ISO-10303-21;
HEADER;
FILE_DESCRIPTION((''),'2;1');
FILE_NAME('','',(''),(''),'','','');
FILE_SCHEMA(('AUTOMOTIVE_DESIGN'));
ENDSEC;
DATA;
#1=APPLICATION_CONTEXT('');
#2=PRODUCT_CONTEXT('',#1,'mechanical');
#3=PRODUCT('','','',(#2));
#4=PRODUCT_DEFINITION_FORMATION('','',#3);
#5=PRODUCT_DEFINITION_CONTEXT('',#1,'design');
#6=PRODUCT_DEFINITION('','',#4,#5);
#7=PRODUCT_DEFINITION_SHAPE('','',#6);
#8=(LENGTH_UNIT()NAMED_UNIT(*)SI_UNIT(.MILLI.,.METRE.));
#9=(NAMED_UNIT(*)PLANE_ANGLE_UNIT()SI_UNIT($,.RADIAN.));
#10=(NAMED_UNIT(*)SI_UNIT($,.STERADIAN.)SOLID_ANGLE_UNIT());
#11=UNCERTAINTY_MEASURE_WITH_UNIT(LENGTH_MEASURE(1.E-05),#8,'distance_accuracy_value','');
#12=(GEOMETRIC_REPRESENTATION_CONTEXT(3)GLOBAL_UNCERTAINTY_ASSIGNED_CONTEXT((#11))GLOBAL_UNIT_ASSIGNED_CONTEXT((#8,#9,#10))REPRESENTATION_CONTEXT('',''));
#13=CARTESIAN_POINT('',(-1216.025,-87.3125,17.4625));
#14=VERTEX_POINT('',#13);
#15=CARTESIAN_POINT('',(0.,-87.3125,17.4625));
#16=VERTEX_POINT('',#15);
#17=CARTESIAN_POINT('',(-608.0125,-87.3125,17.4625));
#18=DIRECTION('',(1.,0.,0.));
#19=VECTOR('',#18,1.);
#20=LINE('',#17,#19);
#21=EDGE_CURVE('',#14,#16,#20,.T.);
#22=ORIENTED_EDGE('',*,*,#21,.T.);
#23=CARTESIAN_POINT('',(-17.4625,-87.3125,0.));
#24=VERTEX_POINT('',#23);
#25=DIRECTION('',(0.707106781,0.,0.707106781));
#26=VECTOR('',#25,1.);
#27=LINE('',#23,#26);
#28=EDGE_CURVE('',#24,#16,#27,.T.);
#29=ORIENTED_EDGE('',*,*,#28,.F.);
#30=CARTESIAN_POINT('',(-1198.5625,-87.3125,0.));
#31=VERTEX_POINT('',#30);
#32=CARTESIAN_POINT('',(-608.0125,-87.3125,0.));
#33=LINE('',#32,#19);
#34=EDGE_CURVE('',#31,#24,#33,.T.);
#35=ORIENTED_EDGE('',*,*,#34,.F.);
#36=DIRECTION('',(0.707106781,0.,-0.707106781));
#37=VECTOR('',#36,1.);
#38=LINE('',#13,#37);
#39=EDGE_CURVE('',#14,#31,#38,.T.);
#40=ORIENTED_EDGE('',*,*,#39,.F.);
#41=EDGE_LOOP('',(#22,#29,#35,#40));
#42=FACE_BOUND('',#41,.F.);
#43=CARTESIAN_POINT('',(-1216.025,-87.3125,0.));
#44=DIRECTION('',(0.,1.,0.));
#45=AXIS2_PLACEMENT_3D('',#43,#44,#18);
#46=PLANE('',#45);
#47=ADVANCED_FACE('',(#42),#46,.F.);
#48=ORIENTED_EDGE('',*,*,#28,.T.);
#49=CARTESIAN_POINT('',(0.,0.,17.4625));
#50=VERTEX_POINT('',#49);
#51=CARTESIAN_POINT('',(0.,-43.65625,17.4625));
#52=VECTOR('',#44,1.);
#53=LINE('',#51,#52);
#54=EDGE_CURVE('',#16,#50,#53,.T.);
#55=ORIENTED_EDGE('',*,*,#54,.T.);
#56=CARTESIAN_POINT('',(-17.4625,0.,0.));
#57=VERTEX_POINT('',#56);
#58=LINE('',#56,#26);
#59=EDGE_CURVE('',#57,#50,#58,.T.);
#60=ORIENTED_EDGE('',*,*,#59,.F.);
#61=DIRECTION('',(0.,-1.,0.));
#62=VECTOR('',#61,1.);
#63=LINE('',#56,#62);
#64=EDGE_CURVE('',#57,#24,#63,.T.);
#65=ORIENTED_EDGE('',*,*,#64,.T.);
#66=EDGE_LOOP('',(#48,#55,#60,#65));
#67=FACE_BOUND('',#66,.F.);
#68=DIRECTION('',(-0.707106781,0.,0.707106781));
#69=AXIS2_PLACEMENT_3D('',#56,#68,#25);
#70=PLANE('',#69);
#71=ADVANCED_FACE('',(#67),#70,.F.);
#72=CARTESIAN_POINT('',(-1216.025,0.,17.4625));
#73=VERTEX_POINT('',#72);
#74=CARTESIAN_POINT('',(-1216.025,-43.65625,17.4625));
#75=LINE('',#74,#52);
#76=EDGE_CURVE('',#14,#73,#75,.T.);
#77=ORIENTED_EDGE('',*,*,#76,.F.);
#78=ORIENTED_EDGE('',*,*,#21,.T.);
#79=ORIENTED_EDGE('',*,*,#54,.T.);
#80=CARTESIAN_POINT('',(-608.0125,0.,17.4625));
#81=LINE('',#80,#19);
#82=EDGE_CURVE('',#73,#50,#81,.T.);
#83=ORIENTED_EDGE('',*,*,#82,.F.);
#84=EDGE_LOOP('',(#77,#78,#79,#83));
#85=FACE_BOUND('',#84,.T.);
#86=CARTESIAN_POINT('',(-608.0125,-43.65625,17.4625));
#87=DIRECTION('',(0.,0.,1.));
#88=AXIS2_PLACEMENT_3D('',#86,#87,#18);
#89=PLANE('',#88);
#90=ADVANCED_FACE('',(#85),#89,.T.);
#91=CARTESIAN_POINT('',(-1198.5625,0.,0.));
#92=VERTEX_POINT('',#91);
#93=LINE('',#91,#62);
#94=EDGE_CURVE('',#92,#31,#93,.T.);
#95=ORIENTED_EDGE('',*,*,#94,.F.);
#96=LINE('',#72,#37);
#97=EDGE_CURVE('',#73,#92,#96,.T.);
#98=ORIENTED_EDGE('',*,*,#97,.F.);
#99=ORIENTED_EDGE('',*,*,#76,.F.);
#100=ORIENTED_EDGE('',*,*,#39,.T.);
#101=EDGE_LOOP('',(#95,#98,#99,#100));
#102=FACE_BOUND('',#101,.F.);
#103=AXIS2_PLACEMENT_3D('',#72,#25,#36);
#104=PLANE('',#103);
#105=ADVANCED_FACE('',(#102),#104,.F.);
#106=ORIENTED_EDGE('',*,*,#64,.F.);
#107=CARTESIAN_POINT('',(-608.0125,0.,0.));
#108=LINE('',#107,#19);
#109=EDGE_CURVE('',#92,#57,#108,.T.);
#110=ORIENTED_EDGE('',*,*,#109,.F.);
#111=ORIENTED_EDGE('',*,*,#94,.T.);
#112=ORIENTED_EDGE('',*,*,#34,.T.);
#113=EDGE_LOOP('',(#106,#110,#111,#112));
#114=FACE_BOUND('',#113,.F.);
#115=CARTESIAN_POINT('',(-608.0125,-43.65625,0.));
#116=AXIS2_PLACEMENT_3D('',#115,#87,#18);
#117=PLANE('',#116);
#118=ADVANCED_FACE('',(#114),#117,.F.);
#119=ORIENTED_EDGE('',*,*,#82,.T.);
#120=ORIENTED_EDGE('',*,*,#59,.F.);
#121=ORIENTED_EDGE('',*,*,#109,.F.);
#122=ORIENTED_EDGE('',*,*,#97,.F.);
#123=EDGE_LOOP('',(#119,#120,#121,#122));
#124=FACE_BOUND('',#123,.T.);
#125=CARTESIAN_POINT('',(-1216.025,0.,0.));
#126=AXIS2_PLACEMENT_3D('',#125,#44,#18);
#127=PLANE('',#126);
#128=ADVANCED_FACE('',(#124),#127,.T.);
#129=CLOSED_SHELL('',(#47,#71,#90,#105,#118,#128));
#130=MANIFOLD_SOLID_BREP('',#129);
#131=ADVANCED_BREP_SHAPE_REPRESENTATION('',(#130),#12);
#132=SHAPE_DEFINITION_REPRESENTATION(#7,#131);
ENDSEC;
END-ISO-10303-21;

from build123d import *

# Parameters (mm, degrees)
F0_W     = 1216.025
F0_H     = 87.3125
F1_DEPTH = 17.4625
F3_DEPTH = 87.3125


with BuildPart() as f1:
    # F0 (on Top) → F1 (new body)
    with BuildSketch(Plane.XY):
        with Locations((-608.0125, -43.65625)):
            Rectangle(F0_W, F0_H)
    extrude(amount=F1_DEPTH)

    # F2 (on face) → F3 (cut)
    with BuildSketch(Plane(origin=(0, 0, 0), x_dir=(-1, 0, 0), z_dir=(0, 1, 0))):
        Polygon((17.4625, 0), (0, 17.4625), (0, 0), align=None)
        Polygon((1216.025, 0), (1216.025, 17.4625), (1198.5625, 0), align=None)
    extrude(amount=-F3_DEPTH, mode=Mode.SUBTRACT)


solid = f1.part
